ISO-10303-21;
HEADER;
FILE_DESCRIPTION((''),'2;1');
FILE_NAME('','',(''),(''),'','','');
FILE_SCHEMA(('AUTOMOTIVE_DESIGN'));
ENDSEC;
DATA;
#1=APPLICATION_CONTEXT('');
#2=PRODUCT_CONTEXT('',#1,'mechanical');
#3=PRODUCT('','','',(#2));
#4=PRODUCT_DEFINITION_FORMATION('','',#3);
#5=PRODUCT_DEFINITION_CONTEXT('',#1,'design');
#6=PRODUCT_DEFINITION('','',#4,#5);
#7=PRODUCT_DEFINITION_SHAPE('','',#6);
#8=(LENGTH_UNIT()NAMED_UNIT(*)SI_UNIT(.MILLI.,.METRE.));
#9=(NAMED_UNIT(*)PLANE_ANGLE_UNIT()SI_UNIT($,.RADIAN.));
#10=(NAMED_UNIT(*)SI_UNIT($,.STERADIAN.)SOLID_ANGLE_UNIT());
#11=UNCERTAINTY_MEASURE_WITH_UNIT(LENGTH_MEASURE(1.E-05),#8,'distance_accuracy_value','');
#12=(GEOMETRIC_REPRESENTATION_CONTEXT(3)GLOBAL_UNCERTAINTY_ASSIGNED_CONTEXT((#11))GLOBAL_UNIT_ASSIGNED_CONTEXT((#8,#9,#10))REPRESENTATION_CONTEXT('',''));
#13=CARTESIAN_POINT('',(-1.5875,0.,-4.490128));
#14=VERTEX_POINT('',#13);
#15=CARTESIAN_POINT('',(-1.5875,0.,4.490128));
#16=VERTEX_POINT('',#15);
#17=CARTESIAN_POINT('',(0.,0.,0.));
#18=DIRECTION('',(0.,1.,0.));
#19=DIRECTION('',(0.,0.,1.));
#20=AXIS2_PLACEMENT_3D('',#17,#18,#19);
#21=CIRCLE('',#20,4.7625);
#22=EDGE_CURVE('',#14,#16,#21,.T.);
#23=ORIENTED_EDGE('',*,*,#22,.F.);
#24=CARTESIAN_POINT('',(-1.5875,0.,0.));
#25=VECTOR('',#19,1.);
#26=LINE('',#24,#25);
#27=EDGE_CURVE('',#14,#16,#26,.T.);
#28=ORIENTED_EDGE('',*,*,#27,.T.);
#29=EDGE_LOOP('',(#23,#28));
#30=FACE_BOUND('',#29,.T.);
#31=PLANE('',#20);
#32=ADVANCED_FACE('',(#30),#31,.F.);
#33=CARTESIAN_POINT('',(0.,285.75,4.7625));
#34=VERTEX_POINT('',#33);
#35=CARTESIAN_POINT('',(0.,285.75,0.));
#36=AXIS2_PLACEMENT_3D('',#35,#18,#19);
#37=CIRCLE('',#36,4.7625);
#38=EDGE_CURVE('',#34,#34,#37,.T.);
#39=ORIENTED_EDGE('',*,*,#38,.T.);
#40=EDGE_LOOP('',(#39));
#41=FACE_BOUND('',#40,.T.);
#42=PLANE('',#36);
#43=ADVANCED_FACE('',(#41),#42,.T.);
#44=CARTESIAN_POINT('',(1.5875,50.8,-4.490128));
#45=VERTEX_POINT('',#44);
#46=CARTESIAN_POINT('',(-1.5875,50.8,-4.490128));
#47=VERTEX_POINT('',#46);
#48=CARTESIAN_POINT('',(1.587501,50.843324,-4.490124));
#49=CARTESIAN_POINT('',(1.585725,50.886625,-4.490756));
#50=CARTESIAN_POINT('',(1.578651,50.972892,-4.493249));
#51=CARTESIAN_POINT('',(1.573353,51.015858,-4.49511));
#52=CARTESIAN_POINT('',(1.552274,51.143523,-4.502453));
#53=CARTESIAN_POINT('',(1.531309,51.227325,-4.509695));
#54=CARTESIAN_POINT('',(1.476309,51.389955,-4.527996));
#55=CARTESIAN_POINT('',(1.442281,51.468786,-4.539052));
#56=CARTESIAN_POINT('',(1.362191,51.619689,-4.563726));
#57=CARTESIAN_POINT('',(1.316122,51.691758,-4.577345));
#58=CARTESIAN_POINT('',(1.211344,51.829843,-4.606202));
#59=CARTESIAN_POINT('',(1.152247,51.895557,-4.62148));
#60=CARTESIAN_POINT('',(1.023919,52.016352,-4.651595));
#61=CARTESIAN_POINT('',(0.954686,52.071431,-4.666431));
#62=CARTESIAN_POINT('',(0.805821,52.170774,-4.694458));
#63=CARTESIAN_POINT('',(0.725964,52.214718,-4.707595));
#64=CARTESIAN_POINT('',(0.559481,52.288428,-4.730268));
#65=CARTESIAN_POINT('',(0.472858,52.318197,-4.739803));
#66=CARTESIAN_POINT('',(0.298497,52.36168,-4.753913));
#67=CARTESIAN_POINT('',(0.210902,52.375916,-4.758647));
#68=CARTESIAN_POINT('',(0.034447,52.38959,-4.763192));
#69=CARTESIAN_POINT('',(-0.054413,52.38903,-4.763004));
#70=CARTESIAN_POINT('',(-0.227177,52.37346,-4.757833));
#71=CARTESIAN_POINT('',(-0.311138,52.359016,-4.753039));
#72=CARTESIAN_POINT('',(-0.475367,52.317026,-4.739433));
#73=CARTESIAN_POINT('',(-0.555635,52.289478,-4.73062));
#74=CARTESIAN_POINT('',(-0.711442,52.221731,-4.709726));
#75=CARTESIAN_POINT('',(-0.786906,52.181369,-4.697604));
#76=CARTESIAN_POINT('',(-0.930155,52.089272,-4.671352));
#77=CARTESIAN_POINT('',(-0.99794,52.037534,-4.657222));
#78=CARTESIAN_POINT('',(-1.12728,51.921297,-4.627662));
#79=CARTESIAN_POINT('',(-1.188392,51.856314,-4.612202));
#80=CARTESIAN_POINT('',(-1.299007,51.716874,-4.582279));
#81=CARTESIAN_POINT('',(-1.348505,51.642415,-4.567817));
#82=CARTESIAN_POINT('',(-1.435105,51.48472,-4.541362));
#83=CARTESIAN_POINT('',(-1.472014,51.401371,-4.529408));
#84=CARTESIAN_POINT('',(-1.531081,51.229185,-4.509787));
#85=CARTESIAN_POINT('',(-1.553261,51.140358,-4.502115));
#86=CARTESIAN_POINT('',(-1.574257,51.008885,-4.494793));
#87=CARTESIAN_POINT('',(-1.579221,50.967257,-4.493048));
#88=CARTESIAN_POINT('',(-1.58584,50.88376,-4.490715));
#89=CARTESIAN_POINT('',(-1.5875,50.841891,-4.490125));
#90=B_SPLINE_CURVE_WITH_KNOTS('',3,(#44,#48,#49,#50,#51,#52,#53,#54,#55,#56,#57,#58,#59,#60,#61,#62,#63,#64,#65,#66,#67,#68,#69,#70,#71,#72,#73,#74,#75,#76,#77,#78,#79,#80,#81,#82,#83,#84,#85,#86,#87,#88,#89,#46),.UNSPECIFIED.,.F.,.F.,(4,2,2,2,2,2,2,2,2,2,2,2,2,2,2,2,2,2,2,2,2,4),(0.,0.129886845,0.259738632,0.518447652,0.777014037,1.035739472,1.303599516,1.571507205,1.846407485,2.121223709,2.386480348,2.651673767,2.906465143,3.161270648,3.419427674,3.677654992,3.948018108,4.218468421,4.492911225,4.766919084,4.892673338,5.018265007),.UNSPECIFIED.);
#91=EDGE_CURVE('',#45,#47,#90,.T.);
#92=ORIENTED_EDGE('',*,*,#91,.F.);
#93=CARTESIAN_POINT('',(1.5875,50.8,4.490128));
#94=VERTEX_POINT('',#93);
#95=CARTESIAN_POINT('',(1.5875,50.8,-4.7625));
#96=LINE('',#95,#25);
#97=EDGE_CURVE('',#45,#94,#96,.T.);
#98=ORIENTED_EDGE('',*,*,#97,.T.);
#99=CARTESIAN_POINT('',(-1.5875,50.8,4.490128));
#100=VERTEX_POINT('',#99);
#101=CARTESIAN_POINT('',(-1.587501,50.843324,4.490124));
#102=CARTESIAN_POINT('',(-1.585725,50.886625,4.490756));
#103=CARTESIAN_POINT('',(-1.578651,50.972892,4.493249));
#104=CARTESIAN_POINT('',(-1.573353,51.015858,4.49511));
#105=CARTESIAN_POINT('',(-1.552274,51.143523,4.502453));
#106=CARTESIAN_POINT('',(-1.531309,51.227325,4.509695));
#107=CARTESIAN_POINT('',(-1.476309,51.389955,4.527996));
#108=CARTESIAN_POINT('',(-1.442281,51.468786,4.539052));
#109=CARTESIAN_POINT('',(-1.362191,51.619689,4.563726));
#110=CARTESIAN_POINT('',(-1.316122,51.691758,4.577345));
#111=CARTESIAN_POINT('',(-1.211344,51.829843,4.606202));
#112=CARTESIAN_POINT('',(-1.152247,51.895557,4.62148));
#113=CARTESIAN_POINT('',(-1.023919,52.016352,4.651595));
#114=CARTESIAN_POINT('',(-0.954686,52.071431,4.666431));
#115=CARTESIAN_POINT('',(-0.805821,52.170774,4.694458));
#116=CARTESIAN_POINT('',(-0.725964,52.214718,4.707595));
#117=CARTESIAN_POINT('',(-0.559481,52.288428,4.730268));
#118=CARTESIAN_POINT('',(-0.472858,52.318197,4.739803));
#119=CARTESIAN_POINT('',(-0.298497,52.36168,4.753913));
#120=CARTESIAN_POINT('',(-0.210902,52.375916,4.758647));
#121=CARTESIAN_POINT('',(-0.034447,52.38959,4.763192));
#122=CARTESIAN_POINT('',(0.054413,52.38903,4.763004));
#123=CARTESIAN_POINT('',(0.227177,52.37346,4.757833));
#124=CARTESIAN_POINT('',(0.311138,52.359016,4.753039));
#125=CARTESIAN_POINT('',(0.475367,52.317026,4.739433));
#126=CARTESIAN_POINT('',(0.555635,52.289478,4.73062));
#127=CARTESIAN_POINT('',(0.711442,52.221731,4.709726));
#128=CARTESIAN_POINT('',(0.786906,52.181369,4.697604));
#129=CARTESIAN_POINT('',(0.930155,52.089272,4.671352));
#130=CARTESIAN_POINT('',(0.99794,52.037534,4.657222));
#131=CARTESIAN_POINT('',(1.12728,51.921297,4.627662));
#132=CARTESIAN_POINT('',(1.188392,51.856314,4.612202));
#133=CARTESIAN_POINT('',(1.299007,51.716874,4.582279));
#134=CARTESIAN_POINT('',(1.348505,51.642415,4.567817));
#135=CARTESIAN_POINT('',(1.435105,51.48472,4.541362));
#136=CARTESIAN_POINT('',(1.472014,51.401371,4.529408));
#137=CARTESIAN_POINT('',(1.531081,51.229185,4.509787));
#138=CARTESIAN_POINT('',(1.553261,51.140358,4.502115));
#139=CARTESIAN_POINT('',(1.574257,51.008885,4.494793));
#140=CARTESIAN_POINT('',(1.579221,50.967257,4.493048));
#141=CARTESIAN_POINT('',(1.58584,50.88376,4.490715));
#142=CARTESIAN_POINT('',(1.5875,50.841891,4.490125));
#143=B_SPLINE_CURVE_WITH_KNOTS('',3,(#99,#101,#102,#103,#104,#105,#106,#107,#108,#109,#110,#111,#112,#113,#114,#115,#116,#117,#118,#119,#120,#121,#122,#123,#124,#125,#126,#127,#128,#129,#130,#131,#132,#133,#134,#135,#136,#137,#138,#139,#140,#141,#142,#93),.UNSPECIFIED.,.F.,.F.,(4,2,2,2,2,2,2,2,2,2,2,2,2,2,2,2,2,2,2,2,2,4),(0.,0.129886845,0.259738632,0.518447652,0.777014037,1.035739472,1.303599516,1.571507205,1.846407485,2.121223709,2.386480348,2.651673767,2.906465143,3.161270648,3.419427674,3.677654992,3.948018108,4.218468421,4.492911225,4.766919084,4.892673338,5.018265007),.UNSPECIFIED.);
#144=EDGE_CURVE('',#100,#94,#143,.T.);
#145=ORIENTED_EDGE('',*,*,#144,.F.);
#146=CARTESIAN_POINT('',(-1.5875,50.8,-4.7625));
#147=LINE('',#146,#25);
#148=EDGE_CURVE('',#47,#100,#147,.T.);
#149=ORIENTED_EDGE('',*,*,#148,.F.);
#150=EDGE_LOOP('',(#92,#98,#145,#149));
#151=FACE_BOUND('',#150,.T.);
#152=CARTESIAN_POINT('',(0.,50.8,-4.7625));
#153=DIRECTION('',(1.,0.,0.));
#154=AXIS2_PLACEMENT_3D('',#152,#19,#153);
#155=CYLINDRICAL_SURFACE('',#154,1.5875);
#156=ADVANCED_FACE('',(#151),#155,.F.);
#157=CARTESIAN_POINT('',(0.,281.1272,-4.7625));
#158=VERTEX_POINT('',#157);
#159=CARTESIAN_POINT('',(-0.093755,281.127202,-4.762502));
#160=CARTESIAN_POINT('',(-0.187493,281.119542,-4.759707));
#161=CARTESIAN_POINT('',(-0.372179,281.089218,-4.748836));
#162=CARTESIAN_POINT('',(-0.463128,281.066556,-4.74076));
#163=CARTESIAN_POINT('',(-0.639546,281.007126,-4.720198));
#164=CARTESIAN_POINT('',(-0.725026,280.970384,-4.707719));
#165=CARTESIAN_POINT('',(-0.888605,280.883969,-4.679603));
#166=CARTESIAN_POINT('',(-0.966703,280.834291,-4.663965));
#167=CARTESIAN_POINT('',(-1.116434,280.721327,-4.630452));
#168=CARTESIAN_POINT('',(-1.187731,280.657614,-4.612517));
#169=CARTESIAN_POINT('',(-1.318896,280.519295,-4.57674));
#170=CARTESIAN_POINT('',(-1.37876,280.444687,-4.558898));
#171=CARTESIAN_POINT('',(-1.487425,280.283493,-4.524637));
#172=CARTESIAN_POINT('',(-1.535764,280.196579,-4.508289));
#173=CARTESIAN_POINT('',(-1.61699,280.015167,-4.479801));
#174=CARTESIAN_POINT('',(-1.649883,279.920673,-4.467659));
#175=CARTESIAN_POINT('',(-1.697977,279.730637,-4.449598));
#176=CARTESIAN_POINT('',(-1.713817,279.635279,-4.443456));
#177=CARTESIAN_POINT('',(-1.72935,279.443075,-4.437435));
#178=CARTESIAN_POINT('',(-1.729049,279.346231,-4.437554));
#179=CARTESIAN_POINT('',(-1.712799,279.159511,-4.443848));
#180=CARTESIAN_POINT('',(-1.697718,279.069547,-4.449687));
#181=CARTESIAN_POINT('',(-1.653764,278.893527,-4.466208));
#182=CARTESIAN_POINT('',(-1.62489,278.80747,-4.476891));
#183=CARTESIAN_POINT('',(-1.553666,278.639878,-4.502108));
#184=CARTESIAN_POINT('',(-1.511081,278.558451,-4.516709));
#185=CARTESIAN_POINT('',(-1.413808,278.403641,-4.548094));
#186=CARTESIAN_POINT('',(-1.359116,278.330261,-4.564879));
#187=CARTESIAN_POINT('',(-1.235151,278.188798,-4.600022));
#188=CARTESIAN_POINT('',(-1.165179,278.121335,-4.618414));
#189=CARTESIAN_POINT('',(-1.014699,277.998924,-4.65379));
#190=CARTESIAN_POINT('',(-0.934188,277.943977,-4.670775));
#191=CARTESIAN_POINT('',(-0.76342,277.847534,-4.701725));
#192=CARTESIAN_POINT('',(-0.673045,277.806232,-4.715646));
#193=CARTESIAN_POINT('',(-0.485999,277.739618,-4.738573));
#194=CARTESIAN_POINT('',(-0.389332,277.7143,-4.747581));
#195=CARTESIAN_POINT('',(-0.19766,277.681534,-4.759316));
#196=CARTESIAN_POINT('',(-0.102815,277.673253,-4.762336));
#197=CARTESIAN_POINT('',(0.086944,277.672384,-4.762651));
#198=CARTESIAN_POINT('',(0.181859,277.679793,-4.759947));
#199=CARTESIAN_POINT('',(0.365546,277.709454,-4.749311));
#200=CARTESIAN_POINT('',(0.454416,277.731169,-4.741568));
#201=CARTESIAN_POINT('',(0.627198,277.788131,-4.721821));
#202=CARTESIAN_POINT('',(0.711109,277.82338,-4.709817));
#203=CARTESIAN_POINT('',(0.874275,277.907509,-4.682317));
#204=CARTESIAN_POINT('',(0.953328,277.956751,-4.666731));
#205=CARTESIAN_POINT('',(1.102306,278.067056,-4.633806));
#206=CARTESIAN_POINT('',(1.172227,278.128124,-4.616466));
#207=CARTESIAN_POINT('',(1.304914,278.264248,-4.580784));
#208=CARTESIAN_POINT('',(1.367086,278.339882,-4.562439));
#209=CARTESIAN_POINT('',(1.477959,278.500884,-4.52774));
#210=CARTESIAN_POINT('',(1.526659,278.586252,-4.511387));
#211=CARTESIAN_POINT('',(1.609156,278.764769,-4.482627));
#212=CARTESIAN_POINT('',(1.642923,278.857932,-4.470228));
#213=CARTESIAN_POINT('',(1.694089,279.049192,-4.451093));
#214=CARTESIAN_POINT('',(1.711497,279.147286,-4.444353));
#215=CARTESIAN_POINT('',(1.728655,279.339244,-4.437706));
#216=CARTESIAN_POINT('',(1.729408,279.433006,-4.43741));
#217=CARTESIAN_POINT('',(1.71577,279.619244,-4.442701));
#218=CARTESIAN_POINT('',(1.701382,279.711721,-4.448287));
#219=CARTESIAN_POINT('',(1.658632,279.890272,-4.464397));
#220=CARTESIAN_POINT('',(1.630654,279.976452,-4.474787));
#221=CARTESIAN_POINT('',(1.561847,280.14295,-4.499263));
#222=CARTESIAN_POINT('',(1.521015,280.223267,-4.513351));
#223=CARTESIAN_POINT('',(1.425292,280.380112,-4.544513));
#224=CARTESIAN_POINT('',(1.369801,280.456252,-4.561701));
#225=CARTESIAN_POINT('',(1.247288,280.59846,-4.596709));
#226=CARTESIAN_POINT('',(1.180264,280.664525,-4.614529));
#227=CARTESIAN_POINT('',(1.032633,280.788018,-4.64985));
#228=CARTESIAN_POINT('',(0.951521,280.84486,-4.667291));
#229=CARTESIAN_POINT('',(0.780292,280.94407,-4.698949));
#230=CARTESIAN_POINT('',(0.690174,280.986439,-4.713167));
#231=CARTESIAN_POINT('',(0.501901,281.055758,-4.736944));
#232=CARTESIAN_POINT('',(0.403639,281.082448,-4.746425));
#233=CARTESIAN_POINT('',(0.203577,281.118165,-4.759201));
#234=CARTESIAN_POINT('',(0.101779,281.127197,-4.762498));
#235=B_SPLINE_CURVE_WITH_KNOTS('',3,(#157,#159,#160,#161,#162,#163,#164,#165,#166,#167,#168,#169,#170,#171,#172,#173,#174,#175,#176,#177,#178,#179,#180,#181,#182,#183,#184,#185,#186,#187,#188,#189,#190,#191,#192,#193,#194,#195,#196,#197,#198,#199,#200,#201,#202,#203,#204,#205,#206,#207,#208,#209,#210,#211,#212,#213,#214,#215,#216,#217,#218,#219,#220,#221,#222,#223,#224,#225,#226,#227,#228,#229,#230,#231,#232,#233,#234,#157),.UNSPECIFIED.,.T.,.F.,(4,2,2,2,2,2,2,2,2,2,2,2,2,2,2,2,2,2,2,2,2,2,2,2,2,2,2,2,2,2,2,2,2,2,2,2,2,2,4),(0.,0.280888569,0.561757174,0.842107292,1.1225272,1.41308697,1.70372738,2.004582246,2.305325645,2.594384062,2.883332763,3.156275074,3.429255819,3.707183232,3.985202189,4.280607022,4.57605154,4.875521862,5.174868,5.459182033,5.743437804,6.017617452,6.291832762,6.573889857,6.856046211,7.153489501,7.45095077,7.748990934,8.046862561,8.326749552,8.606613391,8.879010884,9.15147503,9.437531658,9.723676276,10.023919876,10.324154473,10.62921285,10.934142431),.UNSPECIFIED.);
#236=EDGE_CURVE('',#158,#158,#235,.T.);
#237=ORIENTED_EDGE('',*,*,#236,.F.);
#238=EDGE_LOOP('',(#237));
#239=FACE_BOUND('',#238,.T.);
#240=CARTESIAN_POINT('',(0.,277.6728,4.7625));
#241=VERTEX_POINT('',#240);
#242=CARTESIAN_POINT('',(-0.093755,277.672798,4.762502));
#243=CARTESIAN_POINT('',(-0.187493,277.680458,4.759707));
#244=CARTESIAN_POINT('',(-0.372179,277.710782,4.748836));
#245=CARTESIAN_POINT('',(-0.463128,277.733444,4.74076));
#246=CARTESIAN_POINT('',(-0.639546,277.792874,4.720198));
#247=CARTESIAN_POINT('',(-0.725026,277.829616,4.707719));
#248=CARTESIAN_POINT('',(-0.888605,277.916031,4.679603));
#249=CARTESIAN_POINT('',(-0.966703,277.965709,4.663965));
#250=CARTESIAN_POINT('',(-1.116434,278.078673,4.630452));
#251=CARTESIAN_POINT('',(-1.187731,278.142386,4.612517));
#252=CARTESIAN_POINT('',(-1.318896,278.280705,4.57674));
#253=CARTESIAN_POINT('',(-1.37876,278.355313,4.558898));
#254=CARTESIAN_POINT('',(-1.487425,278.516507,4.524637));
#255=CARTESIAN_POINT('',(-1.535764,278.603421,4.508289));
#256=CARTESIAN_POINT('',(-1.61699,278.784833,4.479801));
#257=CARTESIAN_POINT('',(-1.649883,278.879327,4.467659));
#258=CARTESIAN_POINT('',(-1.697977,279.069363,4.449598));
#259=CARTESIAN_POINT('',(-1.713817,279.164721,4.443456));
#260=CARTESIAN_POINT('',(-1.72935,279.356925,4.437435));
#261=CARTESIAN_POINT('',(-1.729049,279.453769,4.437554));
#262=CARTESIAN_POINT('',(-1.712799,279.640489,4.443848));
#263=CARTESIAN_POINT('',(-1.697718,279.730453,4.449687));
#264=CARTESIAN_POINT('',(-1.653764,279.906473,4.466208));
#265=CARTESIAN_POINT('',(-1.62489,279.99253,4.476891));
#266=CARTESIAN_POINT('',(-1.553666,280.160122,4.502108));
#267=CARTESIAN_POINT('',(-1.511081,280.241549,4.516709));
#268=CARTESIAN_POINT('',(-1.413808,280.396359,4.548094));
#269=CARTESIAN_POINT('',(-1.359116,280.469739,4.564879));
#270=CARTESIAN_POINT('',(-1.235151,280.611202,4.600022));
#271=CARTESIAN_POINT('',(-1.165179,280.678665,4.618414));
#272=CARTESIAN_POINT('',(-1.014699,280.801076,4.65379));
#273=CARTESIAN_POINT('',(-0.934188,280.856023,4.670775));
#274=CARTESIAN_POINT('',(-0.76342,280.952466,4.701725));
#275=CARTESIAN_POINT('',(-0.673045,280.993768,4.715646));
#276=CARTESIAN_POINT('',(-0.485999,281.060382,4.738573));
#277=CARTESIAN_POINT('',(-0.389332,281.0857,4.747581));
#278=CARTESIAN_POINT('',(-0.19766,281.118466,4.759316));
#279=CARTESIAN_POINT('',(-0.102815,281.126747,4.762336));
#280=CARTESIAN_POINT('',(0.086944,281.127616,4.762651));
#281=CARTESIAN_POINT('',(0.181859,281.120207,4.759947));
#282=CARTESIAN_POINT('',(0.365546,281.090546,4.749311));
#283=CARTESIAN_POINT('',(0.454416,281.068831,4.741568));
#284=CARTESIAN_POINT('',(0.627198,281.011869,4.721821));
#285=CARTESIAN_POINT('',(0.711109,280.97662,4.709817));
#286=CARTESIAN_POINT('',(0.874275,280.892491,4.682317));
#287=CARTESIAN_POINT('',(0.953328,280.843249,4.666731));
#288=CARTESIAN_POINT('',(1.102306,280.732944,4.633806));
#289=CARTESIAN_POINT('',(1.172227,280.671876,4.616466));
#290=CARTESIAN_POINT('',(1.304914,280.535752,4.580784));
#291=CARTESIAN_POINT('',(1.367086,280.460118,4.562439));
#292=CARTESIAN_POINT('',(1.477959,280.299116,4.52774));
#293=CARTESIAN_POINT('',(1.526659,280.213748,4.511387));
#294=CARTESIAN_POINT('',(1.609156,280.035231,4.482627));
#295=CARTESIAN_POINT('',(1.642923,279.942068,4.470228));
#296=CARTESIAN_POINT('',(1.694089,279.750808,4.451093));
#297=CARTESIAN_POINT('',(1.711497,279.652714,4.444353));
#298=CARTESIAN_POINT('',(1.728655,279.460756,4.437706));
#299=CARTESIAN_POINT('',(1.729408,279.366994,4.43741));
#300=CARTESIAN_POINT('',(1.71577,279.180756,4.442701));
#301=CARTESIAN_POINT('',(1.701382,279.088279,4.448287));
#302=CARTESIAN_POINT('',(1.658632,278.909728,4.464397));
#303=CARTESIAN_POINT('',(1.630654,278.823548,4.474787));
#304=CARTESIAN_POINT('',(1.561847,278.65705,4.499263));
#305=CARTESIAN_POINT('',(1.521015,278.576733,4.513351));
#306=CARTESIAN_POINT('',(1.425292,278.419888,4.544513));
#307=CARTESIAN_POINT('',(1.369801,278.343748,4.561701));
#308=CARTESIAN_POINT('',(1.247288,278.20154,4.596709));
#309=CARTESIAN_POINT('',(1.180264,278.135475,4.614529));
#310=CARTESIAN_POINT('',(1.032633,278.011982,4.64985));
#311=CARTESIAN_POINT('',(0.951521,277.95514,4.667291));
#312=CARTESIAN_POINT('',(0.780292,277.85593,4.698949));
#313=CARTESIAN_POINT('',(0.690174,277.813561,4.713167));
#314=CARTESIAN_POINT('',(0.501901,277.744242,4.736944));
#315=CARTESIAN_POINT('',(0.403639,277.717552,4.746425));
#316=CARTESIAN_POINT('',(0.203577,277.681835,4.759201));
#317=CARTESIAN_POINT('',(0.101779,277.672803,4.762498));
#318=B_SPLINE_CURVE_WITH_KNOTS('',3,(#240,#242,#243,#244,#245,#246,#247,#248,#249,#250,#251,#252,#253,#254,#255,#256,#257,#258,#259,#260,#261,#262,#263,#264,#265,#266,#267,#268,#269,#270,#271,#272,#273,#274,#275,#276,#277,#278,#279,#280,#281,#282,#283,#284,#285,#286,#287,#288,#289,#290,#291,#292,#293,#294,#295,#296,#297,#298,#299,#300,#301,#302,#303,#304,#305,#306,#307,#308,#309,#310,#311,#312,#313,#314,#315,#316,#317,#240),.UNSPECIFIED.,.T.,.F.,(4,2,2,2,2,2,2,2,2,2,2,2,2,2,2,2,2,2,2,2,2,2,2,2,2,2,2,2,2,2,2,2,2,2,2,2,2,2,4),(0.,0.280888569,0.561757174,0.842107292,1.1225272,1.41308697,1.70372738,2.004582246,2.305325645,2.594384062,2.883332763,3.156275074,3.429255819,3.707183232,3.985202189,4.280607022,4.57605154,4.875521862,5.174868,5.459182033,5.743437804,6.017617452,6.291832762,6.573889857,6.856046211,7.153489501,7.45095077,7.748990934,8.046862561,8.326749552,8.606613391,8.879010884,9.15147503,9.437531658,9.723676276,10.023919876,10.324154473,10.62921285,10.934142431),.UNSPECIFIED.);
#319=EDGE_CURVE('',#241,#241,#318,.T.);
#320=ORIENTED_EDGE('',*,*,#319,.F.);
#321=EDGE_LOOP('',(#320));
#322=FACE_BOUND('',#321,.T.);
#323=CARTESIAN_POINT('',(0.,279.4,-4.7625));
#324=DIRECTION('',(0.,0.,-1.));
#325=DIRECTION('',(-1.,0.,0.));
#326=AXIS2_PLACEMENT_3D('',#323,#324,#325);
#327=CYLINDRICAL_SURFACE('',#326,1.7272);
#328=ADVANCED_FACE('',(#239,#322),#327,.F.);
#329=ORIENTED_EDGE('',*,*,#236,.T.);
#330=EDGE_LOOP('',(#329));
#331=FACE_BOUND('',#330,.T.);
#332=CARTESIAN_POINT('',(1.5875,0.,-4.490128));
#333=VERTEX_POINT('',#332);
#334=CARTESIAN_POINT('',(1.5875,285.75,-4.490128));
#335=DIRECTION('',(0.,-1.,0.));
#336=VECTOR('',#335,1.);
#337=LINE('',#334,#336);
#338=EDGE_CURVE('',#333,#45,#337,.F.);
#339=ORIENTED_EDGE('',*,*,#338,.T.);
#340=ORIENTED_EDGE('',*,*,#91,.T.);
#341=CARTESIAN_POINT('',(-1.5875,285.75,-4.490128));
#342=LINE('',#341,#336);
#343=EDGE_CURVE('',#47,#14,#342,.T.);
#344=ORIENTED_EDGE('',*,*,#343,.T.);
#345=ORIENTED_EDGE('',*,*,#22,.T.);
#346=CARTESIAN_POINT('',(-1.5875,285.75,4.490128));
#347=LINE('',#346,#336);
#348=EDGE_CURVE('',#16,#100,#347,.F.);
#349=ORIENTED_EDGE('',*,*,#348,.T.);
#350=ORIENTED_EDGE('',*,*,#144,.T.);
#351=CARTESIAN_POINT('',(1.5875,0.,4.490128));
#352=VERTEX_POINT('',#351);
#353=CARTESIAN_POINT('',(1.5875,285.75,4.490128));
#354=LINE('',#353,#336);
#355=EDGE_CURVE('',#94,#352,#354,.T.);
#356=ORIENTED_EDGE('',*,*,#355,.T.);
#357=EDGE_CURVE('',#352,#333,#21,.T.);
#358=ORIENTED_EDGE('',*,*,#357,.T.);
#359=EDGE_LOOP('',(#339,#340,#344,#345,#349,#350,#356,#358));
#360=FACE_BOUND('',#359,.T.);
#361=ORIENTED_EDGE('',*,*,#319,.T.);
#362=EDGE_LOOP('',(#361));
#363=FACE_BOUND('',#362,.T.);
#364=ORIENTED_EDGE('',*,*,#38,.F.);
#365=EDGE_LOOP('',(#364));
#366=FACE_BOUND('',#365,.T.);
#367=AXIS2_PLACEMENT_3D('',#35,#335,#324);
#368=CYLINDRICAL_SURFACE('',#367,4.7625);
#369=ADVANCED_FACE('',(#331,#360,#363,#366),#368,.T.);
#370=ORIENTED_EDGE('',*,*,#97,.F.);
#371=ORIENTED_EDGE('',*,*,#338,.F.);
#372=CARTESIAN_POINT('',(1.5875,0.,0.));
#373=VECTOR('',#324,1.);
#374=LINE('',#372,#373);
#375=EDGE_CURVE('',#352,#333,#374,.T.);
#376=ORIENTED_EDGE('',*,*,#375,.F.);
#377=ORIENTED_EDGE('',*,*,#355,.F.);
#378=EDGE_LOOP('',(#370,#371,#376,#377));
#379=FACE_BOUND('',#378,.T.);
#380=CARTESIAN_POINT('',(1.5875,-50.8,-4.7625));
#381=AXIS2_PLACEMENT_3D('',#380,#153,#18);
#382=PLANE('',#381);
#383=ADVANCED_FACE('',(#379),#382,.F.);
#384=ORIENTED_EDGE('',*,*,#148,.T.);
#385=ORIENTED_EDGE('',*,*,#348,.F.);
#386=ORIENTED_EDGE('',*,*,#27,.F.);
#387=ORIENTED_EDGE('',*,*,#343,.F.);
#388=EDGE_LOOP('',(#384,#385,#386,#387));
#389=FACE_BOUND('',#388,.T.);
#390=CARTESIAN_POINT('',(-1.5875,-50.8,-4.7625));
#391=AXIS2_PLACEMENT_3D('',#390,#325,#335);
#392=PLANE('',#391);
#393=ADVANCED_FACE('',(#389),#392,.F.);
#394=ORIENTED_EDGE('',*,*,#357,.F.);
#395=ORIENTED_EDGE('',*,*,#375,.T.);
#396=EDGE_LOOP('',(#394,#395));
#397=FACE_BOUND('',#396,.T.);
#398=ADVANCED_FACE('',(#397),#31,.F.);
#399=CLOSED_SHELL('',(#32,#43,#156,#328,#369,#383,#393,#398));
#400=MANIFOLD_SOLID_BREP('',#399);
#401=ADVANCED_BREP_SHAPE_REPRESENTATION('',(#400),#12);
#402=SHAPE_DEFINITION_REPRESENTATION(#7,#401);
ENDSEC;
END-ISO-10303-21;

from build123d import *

# Parameters (mm, degrees)
SKETCH1_R               = 4.7625
BOSS_EXTRUDE1_DEPTH     = 285.75
CUT_EXTRUDE1_DEPTH      = 5.7625
CUT_EXTRUDE1_DEPTH_BACK = 5.7625
F_8_32_TAPPED_HOLE1_D   = 3.4544


with BuildPart() as part:
    # Sketch1 → Boss-Extrude1 (new body)
    with BuildSketch(Plane(origin=(0, 0, 0), x_dir=(1, 0, 0), z_dir=(0, 1, 0))):
        Circle(SKETCH1_R)
    extrude(amount=BOSS_EXTRUDE1_DEPTH)

    # Sketch2 → Cut-Extrude1 (cut, two sides)
    with BuildSketch(Plane.XY) as cut_extrude1_sk:
        with BuildLine():
            Line((-1.5875, -50.8), (-1.5875, 50.8))
            ThreePointArc((-1.5875, 50.8), (0, 52.3875), (1.5875, 50.8))
            Line((1.5875, 50.8), (1.5875, -50.8))
            ThreePointArc((1.5875, -50.8), (0, -52.3875), (-1.5875, -50.8))
        make_face()
    extrude(amount=CUT_EXTRUDE1_DEPTH, mode=Mode.SUBTRACT)
    extrude(cut_extrude1_sk.sketch, amount=-CUT_EXTRUDE1_DEPTH_BACK, mode=Mode.SUBTRACT)

    # #8-32 Tapped Hole1 (through all)
    with Locations(Plane(origin=(0, 0, -4.7625), x_dir=(-1, 0, 0), z_dir=(0, 0, -1))):
        with Locations((0, 279.4)):
            Hole(F_8_32_TAPPED_HOLE1_D / 2)


solid = part.part
